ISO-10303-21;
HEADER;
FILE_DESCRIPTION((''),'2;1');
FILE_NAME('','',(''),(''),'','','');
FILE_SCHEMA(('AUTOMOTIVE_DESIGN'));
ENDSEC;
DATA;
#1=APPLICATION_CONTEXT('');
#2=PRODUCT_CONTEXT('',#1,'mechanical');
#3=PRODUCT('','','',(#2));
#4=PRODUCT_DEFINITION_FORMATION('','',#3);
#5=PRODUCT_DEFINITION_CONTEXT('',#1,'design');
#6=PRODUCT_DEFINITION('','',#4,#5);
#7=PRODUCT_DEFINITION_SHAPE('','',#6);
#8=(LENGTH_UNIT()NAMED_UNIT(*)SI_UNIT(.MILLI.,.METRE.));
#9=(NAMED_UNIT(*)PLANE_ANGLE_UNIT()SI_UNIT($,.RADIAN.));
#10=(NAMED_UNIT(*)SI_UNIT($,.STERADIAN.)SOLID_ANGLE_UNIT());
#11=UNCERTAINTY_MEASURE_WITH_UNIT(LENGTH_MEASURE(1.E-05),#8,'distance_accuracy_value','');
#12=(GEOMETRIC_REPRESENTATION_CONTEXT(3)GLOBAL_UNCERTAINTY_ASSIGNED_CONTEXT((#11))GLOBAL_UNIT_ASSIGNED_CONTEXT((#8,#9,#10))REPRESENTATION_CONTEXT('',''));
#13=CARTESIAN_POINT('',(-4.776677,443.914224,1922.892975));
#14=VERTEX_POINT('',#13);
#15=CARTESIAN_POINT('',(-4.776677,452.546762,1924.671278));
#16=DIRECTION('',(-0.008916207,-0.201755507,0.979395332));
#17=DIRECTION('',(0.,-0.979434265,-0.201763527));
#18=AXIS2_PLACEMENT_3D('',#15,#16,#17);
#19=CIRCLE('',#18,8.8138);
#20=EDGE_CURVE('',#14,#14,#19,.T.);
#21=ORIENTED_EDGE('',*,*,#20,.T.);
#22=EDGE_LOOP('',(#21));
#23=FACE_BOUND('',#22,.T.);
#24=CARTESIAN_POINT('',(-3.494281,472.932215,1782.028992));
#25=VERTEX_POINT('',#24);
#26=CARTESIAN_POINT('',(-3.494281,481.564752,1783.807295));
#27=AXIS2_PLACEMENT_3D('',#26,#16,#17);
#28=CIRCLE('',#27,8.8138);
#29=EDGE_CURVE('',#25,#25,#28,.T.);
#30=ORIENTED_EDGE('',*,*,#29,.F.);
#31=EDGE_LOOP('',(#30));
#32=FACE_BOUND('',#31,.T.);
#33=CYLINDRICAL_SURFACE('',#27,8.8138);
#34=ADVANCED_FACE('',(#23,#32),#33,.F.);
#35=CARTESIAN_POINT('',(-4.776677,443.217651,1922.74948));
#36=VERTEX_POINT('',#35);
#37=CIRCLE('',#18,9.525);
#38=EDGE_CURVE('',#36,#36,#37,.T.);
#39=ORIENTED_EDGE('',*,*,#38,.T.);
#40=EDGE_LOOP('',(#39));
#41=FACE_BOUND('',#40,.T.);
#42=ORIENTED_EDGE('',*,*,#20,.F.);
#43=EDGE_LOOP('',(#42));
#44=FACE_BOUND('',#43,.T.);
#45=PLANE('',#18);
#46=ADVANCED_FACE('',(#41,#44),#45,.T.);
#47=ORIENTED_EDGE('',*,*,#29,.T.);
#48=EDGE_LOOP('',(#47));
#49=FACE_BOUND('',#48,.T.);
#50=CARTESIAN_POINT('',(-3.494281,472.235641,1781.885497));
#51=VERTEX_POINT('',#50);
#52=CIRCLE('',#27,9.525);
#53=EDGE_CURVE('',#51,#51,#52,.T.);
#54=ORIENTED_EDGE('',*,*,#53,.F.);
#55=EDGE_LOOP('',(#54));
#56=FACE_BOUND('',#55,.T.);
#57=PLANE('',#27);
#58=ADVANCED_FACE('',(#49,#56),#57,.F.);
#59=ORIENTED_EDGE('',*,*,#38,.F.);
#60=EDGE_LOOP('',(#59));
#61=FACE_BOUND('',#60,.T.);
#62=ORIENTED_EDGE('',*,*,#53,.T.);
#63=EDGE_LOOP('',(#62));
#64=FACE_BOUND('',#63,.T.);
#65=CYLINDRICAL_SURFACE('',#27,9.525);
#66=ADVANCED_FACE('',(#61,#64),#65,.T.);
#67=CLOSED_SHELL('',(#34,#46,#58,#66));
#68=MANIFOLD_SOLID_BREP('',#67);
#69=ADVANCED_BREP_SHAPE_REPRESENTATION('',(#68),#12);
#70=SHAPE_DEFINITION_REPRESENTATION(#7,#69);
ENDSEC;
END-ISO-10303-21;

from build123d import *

# Parameters (mm, degrees)
SKETCH1_R                = 9.525
SKETCH1_R_2              = 8.8138
BOSS_EXTRUDE1_DEPTH      = 51.117501
BOSS_EXTRUDE1_DEPTH_BACK = 92.71


with BuildPart() as part:
    # Sketch1 → Boss-Extrude1 (new body, two sides)
    with BuildSketch(Plane(origin=(-4.320902972, 462.859999428, 1874.607036139), x_dir=(0.999960038, -0.001161747, 0.008864103), z_dir=(-0.008916207, -0.201755507, 0.979395332))) as boss_extrude1_sk:
        Circle(SKETCH1_R)
        Circle(SKETCH1_R_2, mode=Mode.SUBTRACT)
    extrude(amount=BOSS_EXTRUDE1_DEPTH)
    extrude(boss_extrude1_sk.sketch, amount=-BOSS_EXTRUDE1_DEPTH_BACK)


solid = part.part
